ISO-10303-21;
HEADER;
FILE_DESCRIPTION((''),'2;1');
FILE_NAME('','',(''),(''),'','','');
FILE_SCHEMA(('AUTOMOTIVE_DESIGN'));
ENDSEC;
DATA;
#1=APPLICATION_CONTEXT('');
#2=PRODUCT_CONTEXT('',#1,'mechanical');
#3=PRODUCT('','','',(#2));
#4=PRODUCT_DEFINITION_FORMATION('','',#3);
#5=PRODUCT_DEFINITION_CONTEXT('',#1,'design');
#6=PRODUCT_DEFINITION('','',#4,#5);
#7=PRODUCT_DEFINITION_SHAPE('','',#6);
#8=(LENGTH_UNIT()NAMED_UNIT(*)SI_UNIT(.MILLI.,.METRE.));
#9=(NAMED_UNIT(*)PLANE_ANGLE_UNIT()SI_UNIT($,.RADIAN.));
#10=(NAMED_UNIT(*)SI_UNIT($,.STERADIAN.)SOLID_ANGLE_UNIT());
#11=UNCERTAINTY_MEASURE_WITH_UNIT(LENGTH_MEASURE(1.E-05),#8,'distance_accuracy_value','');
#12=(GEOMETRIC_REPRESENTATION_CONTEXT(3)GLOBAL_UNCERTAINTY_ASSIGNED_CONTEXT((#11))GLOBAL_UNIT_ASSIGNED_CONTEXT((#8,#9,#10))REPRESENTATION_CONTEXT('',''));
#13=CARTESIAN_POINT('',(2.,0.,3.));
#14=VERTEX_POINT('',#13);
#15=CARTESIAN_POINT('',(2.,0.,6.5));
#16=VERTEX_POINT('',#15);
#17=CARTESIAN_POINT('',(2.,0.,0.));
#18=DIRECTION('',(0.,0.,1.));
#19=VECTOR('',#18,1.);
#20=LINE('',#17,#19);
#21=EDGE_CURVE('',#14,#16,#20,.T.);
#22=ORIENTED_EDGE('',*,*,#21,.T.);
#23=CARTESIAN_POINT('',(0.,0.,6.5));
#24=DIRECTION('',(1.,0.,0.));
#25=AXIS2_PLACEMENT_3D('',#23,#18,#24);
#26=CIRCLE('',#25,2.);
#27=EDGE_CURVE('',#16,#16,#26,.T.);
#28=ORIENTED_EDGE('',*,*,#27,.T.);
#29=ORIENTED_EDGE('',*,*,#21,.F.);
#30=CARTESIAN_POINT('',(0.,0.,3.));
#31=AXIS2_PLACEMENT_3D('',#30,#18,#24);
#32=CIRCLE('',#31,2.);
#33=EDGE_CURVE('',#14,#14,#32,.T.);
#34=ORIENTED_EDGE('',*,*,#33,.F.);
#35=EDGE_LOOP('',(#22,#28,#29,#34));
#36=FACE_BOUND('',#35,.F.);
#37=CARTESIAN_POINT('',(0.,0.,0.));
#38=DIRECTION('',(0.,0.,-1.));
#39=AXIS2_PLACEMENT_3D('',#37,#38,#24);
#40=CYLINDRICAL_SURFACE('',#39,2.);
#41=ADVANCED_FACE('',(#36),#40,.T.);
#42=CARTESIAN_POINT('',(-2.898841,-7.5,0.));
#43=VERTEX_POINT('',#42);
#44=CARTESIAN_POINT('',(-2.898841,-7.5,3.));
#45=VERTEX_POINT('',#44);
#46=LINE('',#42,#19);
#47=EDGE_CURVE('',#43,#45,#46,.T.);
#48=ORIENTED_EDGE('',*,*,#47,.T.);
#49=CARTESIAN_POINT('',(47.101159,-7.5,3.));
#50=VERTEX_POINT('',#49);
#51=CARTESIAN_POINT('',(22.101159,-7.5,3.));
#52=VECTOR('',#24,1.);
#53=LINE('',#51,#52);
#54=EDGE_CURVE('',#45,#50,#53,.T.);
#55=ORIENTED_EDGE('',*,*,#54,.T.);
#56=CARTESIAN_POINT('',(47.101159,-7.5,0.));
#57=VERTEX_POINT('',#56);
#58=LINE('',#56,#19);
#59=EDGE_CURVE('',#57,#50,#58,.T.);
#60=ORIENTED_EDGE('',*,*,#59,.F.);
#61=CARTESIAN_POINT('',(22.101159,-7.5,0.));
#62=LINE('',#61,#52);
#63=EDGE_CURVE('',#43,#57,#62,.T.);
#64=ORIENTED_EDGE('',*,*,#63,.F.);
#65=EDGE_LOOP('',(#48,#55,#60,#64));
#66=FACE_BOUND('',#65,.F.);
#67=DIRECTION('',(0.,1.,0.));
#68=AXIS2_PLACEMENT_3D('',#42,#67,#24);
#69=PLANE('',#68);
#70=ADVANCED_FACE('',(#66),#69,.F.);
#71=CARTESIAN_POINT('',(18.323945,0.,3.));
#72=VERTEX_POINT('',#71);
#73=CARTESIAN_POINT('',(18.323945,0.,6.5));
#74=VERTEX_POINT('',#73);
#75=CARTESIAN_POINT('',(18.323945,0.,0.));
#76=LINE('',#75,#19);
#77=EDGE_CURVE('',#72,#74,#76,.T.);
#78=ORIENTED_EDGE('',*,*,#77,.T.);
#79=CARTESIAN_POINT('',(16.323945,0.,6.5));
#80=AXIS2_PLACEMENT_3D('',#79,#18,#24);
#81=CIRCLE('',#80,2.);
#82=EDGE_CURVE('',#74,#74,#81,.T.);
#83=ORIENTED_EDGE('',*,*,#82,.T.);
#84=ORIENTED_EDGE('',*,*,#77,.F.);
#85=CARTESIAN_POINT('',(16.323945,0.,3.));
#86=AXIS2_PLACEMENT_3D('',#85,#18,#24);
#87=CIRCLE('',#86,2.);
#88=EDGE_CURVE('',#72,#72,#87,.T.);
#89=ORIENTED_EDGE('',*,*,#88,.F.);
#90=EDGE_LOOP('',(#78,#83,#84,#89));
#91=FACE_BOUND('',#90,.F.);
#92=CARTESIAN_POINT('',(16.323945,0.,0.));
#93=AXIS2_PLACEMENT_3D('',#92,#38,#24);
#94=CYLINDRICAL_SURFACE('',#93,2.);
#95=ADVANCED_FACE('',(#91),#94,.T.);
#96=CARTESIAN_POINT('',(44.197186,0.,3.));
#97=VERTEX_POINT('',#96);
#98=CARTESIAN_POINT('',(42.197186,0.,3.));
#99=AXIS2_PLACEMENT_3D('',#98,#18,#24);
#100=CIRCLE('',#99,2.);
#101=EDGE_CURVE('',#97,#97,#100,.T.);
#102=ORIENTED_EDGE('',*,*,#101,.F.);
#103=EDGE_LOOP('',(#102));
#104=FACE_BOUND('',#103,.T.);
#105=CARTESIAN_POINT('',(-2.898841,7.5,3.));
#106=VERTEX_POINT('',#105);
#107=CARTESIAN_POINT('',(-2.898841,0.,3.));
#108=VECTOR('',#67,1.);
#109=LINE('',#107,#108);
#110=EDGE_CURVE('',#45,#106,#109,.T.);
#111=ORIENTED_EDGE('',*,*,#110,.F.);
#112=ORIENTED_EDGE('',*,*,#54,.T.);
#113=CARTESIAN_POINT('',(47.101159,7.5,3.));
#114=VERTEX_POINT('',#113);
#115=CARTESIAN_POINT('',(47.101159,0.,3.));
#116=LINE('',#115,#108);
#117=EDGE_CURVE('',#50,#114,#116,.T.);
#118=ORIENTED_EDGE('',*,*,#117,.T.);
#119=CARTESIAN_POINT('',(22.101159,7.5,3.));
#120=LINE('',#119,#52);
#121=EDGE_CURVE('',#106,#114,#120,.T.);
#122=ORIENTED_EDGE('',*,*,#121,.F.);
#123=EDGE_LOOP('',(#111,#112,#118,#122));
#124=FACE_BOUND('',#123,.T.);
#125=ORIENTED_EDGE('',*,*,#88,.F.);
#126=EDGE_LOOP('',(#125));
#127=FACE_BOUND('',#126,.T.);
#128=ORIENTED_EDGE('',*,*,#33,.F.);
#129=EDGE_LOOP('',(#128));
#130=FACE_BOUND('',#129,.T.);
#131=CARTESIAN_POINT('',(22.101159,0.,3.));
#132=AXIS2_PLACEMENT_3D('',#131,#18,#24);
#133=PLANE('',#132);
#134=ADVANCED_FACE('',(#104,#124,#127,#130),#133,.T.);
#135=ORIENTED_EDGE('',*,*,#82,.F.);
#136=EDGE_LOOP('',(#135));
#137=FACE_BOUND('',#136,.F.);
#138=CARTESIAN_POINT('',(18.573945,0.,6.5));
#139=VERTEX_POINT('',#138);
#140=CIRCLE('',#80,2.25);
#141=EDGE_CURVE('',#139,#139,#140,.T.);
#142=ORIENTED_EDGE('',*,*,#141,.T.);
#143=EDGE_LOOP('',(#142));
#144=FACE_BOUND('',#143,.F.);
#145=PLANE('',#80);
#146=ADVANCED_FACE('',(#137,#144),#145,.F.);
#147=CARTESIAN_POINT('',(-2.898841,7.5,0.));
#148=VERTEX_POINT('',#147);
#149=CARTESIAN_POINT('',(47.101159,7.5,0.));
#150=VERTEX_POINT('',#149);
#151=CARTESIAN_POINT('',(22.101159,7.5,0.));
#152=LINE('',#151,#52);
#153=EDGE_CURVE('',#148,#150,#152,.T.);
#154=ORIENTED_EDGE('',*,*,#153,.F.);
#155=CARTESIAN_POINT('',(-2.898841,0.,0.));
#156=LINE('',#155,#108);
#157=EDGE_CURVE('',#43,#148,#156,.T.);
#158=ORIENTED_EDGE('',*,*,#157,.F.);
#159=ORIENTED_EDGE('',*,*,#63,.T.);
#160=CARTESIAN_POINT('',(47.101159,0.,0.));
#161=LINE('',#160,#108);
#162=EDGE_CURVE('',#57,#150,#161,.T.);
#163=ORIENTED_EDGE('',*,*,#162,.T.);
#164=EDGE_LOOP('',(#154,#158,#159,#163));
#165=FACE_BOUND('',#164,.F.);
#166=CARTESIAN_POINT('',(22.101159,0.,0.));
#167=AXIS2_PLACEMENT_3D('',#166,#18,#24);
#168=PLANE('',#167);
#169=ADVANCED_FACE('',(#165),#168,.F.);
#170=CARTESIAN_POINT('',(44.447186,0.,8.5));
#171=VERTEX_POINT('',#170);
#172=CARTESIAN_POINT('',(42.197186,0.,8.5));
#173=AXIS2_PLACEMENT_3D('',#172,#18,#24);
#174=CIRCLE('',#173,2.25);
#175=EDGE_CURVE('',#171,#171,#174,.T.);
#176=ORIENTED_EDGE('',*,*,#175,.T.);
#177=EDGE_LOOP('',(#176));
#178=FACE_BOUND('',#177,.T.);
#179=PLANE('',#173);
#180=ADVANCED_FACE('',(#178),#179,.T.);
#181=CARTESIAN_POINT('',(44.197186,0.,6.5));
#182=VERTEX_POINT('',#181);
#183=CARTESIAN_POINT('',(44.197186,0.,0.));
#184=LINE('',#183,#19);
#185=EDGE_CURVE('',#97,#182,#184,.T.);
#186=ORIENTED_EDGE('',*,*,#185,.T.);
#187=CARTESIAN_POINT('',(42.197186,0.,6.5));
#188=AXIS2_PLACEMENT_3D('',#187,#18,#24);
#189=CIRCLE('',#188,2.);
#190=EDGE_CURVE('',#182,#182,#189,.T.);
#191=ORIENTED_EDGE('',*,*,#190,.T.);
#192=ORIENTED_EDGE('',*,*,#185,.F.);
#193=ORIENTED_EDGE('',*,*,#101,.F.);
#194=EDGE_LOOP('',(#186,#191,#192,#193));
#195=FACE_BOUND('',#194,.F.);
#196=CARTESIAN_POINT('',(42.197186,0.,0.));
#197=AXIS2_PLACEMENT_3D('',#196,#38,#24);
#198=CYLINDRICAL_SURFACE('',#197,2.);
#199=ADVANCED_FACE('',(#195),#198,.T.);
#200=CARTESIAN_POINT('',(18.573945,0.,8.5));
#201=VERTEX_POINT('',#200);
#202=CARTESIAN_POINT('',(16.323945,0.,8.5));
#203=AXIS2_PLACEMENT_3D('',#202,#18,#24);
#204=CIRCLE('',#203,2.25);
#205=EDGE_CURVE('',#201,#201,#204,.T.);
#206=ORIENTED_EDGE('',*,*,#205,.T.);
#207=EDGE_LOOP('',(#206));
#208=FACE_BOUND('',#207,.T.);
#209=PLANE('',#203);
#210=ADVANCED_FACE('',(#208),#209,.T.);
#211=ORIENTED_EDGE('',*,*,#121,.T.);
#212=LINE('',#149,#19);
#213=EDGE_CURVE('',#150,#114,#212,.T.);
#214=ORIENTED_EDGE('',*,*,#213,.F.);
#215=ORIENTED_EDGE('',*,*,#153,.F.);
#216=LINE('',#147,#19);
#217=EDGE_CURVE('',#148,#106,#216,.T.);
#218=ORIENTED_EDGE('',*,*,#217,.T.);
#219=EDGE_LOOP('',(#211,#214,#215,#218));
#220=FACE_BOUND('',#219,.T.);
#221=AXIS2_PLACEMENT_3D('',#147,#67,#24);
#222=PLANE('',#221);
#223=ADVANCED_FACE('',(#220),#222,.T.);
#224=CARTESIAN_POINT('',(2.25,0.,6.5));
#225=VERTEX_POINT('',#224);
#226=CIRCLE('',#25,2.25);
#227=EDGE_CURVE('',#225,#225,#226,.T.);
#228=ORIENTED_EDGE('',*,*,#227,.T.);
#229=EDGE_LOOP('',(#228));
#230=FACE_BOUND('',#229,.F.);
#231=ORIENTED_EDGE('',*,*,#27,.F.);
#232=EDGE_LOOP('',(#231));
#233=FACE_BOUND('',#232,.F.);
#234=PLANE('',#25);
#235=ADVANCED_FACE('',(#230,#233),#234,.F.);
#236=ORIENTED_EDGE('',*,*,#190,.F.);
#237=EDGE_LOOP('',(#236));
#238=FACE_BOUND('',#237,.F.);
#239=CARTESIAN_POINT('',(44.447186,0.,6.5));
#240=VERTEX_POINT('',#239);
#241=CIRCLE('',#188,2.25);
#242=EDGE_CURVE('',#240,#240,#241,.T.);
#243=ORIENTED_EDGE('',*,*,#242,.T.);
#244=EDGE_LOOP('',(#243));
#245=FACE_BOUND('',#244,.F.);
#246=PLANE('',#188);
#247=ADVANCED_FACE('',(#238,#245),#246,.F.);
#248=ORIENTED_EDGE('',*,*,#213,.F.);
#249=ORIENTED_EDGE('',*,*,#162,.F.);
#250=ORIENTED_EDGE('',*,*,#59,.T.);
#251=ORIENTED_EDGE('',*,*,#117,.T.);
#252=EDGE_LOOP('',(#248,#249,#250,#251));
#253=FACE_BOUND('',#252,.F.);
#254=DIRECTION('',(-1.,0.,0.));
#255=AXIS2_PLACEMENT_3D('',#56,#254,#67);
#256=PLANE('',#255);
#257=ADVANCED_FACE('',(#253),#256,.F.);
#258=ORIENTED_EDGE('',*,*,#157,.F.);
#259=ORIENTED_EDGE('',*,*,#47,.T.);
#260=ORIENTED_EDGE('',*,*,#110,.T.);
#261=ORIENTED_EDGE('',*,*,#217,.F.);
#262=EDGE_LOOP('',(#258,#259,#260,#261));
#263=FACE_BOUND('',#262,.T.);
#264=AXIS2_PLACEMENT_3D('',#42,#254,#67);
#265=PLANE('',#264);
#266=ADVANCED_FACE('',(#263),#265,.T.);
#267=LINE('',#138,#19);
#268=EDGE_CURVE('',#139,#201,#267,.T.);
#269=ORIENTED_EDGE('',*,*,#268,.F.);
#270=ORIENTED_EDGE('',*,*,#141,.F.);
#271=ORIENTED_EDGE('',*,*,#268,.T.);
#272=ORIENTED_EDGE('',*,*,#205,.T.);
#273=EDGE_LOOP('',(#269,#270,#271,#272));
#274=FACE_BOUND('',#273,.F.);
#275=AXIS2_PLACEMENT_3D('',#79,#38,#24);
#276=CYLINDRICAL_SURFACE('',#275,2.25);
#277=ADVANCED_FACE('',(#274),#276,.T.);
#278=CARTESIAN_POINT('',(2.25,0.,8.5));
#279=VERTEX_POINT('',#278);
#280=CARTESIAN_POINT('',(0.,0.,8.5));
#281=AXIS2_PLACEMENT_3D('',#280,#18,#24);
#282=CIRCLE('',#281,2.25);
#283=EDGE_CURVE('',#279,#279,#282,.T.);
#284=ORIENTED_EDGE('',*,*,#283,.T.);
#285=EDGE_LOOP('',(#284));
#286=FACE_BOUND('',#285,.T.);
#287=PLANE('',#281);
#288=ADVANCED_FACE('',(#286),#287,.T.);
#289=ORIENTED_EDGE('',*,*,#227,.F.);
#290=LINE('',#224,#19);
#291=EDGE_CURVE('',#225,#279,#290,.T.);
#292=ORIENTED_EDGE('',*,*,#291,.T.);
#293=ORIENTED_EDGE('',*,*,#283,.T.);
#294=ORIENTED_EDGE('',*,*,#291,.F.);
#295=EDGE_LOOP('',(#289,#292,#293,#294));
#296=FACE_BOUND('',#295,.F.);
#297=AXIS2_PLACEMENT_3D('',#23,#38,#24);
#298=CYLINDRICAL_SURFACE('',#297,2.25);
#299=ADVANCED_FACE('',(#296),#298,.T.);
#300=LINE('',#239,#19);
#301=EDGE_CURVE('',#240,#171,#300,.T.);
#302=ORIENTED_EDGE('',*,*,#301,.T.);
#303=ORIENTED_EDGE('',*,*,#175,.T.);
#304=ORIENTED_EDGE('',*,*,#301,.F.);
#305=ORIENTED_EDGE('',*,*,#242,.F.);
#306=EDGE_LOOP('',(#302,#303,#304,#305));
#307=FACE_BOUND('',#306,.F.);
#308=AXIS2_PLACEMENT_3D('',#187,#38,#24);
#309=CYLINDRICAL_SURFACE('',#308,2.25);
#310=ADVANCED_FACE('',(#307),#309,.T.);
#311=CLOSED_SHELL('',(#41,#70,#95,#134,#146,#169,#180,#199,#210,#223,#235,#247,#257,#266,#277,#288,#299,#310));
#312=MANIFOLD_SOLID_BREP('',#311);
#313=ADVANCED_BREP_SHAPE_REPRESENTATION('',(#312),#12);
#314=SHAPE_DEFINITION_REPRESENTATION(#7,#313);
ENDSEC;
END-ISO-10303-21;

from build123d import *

# Parameters (mm, degrees)
F0_W     = 50
F0_H     = 15
F0_R     = 2
F1_DEPTH = 3
F2_DEPTH = 6.5
F3_R     = 2.25
F3_R_2   = 2
F4_DEPTH = 2


with BuildPart() as f1:
    # F0 (on Top) → F1 (new body)
    with BuildSketch(Plane.XY):
        with Locations((22.101158835, 0)):
            Rectangle(F0_W, F0_H)
        Circle(F0_R, mode=Mode.SUBTRACT)
        with Locations((16.3239448783, 0)):
            Circle(F0_R, mode=Mode.SUBTRACT)
        with Locations((42.1971863421, 0)):
            Circle(F0_R, mode=Mode.SUBTRACT)
    extrude(amount=F1_DEPTH)

    # F0 (on Top) → F2 (join)
    with BuildSketch(Plane.XY):
        Circle(F0_R)
        with Locations((16.3239448783, 0)):
            Circle(F0_R)
        with Locations((42.1971863421, 0)):
            Circle(F0_R)
    extrude(amount=F2_DEPTH)

    # F3 (on face) → F4 (join)
    with BuildSketch(Plane.XY.offset(6.5)):
        Circle(F3_R)
        Circle(F3_R_2, mode=Mode.SUBTRACT)
        with Locations((16.3239448783, 0)):
            Circle(F3_R)
        with Locations((16.3239448783, 0)):
            Circle(F3_R_2, mode=Mode.SUBTRACT)
        with Locations((42.1971863421, 0)):
            Circle(F3_R)
        with Locations((42.1971863421, 0)):
            Circle(F3_R_2, mode=Mode.SUBTRACT)
        Circle(F3_R_2)
        with Locations((16.3239448783, 0)):
            Circle(F3_R_2)
        with Locations((42.1971863421, 0)):
            Circle(F3_R_2)
    extrude(amount=F4_DEPTH)


solid = f1.part
